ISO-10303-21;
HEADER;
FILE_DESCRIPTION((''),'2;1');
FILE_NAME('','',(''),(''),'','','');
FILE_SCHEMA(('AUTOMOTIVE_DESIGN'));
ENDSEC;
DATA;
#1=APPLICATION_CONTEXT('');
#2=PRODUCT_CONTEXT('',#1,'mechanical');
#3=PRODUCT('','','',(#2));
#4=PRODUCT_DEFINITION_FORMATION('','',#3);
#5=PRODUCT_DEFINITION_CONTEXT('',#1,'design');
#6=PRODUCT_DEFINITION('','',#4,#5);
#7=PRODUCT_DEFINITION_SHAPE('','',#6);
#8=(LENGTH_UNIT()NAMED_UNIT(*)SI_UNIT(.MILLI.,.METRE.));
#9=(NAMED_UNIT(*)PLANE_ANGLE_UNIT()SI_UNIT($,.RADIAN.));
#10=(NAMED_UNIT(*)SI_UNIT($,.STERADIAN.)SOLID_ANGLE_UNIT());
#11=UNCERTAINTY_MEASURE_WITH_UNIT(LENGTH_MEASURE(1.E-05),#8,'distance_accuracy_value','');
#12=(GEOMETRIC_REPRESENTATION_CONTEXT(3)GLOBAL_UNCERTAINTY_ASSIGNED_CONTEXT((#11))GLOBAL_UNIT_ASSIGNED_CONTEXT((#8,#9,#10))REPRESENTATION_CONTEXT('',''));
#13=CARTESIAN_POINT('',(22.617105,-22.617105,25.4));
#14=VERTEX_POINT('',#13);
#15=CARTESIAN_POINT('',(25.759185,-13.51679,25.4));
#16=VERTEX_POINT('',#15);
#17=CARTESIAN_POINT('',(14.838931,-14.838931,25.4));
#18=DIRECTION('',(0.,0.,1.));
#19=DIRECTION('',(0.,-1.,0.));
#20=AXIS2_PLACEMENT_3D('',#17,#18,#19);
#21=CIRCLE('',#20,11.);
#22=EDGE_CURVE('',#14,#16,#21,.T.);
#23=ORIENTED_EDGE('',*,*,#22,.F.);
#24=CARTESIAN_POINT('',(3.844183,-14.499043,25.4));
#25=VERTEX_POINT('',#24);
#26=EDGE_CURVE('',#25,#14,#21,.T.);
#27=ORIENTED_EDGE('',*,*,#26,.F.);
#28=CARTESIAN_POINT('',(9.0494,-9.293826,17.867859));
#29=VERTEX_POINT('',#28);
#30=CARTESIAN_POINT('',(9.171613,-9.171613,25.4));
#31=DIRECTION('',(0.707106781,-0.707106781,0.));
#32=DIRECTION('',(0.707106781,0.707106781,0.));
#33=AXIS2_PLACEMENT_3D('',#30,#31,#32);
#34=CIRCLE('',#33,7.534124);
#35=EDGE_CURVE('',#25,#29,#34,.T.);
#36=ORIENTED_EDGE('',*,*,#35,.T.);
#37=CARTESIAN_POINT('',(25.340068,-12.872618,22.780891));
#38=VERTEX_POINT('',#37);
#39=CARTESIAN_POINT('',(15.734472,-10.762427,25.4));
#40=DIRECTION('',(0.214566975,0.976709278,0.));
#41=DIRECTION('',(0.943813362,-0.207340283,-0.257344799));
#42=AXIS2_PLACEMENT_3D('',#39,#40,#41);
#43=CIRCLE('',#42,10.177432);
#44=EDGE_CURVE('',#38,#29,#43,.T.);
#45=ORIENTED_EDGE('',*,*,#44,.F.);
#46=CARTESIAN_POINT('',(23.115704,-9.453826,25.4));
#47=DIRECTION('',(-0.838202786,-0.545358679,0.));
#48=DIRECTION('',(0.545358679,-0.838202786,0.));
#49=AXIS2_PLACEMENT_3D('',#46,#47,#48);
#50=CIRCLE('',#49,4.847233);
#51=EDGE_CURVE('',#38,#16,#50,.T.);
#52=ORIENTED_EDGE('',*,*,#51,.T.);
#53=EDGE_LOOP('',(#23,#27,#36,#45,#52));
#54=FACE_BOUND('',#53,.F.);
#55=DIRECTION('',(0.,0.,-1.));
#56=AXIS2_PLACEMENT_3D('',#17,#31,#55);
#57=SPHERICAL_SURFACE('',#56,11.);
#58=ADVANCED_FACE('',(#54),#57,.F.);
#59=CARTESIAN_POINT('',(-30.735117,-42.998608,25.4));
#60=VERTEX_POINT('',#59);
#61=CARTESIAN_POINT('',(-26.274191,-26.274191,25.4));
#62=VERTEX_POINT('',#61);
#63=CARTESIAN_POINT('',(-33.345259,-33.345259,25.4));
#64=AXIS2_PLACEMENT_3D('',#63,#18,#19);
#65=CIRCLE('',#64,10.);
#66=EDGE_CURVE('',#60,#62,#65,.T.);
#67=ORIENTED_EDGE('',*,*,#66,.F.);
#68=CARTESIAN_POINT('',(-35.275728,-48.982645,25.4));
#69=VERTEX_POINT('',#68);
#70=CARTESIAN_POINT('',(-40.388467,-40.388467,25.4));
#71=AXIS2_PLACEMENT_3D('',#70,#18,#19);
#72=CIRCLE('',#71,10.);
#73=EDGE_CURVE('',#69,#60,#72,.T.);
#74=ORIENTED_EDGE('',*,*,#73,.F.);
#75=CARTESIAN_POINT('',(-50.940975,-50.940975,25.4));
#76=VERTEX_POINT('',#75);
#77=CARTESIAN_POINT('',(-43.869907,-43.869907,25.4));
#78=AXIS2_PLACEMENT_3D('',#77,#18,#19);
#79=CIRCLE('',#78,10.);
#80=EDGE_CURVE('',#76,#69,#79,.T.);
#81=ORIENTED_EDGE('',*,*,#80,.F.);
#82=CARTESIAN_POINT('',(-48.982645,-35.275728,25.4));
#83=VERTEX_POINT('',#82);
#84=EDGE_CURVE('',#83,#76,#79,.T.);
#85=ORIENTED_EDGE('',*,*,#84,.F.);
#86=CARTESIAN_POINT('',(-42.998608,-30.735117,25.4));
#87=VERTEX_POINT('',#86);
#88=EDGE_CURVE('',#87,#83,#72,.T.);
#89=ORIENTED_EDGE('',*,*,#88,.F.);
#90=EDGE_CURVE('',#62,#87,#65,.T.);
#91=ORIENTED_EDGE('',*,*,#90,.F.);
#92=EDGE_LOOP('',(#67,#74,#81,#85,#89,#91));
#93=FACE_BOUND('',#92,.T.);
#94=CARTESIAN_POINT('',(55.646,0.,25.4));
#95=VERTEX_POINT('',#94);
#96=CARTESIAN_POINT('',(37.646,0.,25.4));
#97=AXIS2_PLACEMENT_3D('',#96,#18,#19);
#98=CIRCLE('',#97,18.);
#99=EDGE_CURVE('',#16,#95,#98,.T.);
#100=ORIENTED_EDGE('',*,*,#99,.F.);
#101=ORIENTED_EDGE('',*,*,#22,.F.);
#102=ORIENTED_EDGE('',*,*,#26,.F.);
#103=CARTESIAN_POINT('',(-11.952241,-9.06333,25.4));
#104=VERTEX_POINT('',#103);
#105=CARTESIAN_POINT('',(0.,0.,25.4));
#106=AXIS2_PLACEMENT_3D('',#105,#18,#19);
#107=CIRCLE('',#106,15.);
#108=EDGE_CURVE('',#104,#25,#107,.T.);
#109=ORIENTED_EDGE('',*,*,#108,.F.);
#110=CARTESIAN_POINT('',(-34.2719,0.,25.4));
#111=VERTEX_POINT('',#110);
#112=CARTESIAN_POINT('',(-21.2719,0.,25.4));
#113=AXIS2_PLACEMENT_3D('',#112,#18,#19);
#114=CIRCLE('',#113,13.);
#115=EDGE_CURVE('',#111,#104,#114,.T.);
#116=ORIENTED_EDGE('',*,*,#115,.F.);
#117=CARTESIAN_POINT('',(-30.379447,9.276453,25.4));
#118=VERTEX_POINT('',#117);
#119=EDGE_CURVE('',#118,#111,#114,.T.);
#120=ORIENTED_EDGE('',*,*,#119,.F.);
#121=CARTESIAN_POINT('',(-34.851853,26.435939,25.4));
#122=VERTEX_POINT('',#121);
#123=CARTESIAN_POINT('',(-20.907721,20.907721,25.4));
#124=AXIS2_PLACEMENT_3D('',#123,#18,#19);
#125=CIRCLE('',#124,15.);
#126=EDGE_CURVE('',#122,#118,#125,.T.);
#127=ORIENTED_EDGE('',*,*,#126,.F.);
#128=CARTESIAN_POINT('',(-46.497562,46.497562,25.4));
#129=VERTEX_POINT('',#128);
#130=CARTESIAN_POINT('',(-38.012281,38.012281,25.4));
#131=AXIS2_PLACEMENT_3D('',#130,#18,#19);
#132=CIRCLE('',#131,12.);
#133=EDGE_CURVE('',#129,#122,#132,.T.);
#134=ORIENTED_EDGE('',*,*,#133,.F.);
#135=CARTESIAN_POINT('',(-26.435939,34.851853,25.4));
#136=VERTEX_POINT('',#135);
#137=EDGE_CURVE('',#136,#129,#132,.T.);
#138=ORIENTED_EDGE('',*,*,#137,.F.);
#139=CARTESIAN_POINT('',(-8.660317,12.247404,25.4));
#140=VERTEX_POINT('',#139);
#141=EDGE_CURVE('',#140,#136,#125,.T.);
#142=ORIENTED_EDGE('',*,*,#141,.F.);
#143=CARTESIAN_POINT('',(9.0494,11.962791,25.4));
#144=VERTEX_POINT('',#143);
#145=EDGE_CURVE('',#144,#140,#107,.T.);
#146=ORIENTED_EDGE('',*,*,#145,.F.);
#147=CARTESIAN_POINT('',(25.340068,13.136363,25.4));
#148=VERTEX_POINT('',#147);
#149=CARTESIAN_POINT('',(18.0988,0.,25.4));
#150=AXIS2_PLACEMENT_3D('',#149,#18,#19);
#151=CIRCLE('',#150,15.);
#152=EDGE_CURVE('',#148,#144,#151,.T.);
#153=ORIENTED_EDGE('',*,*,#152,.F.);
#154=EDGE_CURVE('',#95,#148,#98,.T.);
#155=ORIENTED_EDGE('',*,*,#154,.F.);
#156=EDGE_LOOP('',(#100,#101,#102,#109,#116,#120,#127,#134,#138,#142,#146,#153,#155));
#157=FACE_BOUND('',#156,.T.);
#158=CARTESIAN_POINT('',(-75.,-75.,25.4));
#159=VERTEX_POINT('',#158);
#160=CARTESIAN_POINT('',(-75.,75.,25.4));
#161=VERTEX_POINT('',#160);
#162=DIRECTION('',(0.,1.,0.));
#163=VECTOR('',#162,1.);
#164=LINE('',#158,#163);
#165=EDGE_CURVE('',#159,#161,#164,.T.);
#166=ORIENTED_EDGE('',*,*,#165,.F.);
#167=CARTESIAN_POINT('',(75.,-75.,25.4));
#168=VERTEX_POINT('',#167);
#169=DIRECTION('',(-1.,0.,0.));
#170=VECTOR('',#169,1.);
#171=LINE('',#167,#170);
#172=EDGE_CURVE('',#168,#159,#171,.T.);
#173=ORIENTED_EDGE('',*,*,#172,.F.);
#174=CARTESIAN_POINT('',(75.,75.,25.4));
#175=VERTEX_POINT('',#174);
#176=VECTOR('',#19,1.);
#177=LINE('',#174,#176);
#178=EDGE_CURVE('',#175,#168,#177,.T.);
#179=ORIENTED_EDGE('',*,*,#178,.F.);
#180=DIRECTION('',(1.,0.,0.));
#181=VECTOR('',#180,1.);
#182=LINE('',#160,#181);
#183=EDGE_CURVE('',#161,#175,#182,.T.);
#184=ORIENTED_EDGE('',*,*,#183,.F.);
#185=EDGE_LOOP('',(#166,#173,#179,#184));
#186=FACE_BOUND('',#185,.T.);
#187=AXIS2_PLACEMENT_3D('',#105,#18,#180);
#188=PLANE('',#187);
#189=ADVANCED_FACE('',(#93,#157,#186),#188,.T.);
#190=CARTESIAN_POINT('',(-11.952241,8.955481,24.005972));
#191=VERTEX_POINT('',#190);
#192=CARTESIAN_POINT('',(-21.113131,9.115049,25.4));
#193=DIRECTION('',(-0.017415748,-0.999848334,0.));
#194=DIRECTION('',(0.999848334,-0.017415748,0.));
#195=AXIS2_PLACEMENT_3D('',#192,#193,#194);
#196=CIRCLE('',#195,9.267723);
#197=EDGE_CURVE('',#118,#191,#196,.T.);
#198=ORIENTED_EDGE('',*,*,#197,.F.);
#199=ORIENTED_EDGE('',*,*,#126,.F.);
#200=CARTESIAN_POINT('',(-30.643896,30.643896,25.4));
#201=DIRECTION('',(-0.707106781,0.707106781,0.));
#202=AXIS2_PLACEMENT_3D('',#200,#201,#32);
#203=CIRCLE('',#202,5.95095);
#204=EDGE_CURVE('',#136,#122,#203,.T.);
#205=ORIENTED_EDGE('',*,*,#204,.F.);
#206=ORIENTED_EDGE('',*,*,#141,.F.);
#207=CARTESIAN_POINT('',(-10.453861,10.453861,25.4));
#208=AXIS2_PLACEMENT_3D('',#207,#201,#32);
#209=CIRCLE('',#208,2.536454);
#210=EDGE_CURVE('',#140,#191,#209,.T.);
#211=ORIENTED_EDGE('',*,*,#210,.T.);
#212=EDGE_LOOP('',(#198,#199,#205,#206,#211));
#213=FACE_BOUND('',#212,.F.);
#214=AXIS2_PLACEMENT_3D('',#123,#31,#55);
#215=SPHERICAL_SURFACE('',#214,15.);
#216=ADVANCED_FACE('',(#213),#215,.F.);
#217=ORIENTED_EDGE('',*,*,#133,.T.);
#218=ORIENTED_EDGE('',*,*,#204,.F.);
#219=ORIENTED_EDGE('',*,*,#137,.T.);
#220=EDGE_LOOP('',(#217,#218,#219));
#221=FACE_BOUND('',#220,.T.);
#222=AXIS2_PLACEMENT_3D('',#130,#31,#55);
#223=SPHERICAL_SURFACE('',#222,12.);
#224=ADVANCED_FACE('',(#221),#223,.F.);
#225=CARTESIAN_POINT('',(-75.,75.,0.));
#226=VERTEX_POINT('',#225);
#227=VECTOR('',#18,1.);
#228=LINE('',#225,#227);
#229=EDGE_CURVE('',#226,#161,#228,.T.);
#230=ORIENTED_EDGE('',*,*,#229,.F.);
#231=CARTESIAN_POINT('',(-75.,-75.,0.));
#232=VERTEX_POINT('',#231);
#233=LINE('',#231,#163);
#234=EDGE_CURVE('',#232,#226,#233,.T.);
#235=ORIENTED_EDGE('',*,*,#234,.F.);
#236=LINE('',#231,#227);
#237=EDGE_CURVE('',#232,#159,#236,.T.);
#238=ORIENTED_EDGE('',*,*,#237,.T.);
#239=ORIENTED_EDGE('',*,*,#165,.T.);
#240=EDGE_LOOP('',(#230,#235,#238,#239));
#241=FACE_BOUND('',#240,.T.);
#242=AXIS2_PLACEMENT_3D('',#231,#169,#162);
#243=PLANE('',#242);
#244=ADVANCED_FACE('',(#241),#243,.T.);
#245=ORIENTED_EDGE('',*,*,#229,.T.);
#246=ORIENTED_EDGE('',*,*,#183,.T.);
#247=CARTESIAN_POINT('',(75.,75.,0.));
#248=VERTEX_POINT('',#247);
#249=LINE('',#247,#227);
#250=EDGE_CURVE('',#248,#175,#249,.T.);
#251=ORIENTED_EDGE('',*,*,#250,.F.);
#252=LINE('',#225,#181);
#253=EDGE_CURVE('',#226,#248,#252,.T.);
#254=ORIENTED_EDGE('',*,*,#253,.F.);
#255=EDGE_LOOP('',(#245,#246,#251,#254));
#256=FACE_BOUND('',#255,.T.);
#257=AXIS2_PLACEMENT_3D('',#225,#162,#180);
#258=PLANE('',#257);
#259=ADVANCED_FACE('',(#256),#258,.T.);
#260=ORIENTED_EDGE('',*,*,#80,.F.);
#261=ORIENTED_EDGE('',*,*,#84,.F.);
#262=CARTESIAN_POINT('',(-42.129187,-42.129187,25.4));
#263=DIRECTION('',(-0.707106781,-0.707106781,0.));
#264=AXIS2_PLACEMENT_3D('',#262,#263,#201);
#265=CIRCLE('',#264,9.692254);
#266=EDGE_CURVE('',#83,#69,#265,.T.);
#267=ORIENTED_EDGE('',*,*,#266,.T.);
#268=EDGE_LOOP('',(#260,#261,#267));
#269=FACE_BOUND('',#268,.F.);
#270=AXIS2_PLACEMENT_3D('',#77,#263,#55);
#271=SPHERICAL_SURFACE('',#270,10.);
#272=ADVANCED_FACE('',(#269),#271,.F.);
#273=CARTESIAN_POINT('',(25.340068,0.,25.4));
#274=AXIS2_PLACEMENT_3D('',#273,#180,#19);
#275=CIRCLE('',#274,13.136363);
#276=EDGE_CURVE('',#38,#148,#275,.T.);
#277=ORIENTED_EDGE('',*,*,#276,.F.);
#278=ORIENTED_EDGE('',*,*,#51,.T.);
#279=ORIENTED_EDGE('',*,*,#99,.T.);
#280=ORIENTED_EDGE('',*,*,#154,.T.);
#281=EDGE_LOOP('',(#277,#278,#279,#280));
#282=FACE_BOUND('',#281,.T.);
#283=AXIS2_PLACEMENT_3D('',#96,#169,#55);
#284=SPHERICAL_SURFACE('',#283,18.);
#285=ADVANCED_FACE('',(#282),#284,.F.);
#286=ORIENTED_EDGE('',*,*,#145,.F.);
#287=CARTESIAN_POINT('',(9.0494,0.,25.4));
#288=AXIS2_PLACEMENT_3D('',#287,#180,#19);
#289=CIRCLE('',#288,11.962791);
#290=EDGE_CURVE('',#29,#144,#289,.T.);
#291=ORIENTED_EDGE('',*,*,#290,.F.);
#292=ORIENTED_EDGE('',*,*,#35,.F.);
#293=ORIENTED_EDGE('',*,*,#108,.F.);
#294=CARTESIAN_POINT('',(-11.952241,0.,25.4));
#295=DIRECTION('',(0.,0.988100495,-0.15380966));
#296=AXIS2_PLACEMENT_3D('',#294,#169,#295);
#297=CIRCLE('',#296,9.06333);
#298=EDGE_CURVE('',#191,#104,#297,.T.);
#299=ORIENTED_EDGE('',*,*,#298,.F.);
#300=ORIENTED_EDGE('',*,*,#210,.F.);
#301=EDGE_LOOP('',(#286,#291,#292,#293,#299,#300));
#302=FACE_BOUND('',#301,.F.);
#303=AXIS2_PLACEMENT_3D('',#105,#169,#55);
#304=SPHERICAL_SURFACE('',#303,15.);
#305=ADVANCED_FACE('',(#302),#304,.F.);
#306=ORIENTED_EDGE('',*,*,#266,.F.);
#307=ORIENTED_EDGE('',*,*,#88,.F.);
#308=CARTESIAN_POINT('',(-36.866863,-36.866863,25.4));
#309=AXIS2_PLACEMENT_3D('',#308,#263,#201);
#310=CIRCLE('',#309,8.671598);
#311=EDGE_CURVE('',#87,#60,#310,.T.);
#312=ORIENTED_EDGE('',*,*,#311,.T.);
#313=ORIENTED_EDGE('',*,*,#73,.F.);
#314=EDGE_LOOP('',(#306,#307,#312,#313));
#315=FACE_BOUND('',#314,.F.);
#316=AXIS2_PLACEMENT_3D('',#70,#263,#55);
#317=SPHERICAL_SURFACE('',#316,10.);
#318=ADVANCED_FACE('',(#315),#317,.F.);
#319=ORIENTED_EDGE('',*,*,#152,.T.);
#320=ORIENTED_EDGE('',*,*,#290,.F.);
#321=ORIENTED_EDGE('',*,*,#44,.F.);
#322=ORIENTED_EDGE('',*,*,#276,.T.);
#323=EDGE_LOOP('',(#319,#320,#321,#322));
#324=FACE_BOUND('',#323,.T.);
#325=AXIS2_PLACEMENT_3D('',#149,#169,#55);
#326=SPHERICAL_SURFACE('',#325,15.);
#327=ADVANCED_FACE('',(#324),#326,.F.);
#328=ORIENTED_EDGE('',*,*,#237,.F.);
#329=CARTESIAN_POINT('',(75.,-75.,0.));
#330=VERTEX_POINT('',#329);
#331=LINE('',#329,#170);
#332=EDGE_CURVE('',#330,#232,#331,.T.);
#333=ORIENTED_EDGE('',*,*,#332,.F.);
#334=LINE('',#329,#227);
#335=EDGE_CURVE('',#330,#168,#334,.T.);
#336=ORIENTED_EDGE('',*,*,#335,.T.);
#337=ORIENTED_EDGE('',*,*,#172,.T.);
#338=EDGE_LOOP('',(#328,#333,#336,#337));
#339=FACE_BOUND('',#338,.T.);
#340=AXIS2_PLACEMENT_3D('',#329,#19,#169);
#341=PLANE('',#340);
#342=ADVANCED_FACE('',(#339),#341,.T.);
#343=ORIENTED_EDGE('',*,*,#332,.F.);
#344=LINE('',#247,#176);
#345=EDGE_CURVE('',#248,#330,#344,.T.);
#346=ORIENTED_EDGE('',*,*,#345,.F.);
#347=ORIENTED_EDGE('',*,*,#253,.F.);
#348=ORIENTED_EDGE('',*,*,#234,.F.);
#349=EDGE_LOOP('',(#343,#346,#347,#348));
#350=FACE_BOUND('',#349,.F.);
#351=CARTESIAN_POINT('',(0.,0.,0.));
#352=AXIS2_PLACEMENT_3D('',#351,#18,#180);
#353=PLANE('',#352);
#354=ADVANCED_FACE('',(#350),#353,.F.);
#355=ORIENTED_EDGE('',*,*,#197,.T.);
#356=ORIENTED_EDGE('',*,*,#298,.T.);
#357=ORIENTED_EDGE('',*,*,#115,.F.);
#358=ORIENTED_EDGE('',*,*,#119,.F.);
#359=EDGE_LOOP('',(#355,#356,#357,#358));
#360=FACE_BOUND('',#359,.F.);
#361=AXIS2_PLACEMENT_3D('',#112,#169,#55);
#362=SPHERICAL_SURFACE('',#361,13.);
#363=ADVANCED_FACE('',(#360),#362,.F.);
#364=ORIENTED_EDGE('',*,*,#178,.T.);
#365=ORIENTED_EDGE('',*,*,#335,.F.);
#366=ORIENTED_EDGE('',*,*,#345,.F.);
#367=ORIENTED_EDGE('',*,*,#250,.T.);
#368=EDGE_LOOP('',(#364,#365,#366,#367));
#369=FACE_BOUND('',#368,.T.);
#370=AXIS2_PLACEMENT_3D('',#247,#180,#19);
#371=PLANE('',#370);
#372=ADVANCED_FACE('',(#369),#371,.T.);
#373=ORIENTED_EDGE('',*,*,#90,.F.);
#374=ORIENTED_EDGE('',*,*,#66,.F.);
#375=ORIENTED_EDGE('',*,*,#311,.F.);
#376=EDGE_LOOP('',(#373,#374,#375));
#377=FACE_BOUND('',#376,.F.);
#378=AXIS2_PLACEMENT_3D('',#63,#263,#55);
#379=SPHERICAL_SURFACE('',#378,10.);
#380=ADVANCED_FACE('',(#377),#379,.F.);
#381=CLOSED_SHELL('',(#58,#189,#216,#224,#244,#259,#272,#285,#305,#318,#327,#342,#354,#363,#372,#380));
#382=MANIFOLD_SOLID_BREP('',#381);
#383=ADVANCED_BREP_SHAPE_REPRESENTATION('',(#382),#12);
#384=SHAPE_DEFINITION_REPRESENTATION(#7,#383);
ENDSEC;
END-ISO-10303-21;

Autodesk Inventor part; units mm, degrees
sketch "Boceto1" plane through (0, 0, 0) normal (0, 0, 1) x (1, 0, 0)
  line L0 (-75, 75) -> (75, 75)
  line L1 (75, 75) -> (75, -75)
  line L2 (75, -75) -> (-75, -75)
  line L3 (-75, -75) -> (-75, 75)
  line L4 (-75, 75) -> (75, -75) construction
  line L5 (75, 75) -> (-75, -75) construction
  point P0 (0, 0)
  dimension "d0" = 150
  dimension "d1" = 150
extrude "Extrusión1" add sketch "Boceto1" along normal blind 25.4
sketch "Boceto3" plane through (0, 0, 0) normal (0, 1, 0) x (-1, 0, 0)
  line L0 (-75, 25.4) -> (75, 25.4) projected
  arc A0 (-15, 25.4) -> (15, 25.4) centre (0, 25.4) ccw
  line L1 (15, 25.4) -> (-15, 25.4)
  point P0 (0, 0)
  dimension "d7" = 15
revolve "Revolución2" cut sketch "Boceto3" angle 360 about axis through (75, 0, 25.4) along (-1, 0, 0)
ref_plane "Plano de trabajo1" through (-75, -75, 0) normal (-0.7071, 0.7071, 0) x (0, 0, 1)
ref_plane "Plano de trabajo2" through (75, -75, 0) normal (-0.7071, -0.7071, 0) x (0, 0, 1)
sketch "Boceto4" plane through (-75, -75, 0) normal (-0.7071, 0.7071, 0) x (0, 0, 1)
  line L0 (25.4, 106.066) -> (25.4, 0) projected
  arc A0 (25.4, 68.9087) -> (25.4, 48.9087) centre (25.4, 58.9087) ccw
  line L1 (25.4, 48.9087) -> (25.4, 68.9087)
  point P0 (0, 106.066)
  dimension "d11" = 10
sketch "Boceto5" plane through (75, -75, 0) normal (-0.7071, -0.7071, 0) x (0, 0, 1)
  line L0 (25.4, 106.066) -> (25.4, 212.132) projected
  arc A0 (25.4, 171.8235) -> (25.4, 147.8235) centre (25.4, 159.8235) ccw
  line L1 (25.4, 171.8235) -> (25.4, 147.8235)
  point P0 (0, 106.066)
  dimension "d12" = 12
sketch "Boceto6" plane through (0, 0, 0) normal (0, 1, 0) x (-1, 0, 0)
  arc A0 (-55.646, 25.4) -> (-19.646, 25.4) centre (-37.646, 25.4) ccw
  line L0 (-19.646, 25.4) -> (-55.646, 25.4)
  line L1 (-75, 25.4) -> (75, 25.4) projected
  point P0 (0, 0)
  dimension "d13" = 18
revolve "Revolución3" cut sketch "Boceto5" angle 360 about axis through (0, 0, 25.4) along (-0.7071, 0.7071, 0)
revolve "Revolución4" cut sketch "Boceto4" angle 360 about axis through (0, 0, 25.4) along (-0.7071, -0.7071, 0)
revolve "Revolución5" cut sketch "Boceto6" angle 360 about axis through (19.646, 0, 25.4) along (1, 0, 0)
sketch "Boceto7" plane through (0, 0, 0) normal (0, 1, 0) x (-1, 0, 0)
  line L0 (-75, 25.4) -> (75, 25.4) projected
  arc A0 (-33.0988, 25.4) -> (-3.0988, 25.4) centre (-18.0988, 25.4) ccw
  line L1 (-3.0988, 25.4) -> (-33.0988, 25.4)
  line L2 (-55.646, 25.4) -> (-19.646, 25.4) projected
  point P0 (0, 0)
  dimension "d17" = 15
revolve "Revolución6" cut sketch "Boceto7" angle 360 about axis through (3.0988, 0, 25.4) along (1, 0, 0)
sketch "Boceto9" plane through (75, -75, 0) normal (-0.7071, -0.7071, 0) x (0, 0, 1)
  line L0 (25.4, 106.066) -> (25.4, 0) projected
  arc A0 (25.4, 96.0806) -> (25.4, 74.0806) centre (25.4, 85.0806) ccw
  line L1 (25.4, 96.0806) -> (25.4, 74.0806)
  point P0 (0, 106.066)
  dimension "d19" = 11
revolve "Revolución7" cut sketch "Boceto9" angle 360 about axis through (0, 0, 25.4) along (0.7071, -0.7071, 0)
sketch "Boceto10" plane through (-75, -75, 0) normal (-0.7071, 0.7071, 0) x (0, 0, 1)
  line L0 (25.4, 106.066) -> (25.4, 0) projected
  arc A0 (25.4, 58.9481) -> (25.4, 38.9481) centre (25.4, 48.9481) ccw
  line L1 (25.4, 38.9481) -> (25.4, 58.9481)
  line L2 (25.4, 68.9087) -> (25.4, 48.9087) projected
  arc A1 (25.4, 54.0246) -> (25.4, 34.0246) centre (25.4, 44.0246) ccw
  line L3 (25.4, 34.0246) -> (25.4, 54.0246)
  point P0 (0, 106.066)
  dimension "d21" = 10
  dimension "d22" = 10
revolve "Revolución8" cut sketch "Boceto10" angle 360 about axis through (0, 0, 25.4) along (-0.7071, -0.7071, 0)
sketch "Boceto11" plane through (75, -75, 0) normal (-0.7071, -0.7071, 0) x (0, 0, 1)
  line L0 (25.4, 212.132) -> (25.4, 106.066) projected
  arc A0 (25.4, 150.634) -> (25.4, 120.634) centre (25.4, 135.634) ccw
  line L1 (25.4, 120.634) -> (25.4, 150.634)
  point P0 (0, 106.066)
  dimension "d24" = 15
revolve "Revolución9" cut sketch "Boceto11" angle 360 about axis through (-75, 75, 25.4) along (0.7071, -0.7071, 0)
sketch "Boceto12" plane through (0, 0, 0) normal (0, 1, 0) x (-1, 0, 0)
  line L0 (23.3453, 25.4) -> (42.9986, 25.4) projected
  arc A0 (8.2719, 25.4) -> (34.2719, 25.4) centre (21.2719, 25.4) ccw
  line L1 (8.2719, 25.4) -> (34.2719, 25.4)
  line L2 (75, 25.4) -> (-75, 25.4) projected
  point P0 (0, 0)
  point P1 (30.7351, 25.4)
  dimension "d26" = 13
revolve "Revolución10" cut sketch "Boceto12" angle 360 about axis through (-23.3453, 0, 25.4) along (-1, 0, 0)
properties part number "Placa - Daños Esfera"
